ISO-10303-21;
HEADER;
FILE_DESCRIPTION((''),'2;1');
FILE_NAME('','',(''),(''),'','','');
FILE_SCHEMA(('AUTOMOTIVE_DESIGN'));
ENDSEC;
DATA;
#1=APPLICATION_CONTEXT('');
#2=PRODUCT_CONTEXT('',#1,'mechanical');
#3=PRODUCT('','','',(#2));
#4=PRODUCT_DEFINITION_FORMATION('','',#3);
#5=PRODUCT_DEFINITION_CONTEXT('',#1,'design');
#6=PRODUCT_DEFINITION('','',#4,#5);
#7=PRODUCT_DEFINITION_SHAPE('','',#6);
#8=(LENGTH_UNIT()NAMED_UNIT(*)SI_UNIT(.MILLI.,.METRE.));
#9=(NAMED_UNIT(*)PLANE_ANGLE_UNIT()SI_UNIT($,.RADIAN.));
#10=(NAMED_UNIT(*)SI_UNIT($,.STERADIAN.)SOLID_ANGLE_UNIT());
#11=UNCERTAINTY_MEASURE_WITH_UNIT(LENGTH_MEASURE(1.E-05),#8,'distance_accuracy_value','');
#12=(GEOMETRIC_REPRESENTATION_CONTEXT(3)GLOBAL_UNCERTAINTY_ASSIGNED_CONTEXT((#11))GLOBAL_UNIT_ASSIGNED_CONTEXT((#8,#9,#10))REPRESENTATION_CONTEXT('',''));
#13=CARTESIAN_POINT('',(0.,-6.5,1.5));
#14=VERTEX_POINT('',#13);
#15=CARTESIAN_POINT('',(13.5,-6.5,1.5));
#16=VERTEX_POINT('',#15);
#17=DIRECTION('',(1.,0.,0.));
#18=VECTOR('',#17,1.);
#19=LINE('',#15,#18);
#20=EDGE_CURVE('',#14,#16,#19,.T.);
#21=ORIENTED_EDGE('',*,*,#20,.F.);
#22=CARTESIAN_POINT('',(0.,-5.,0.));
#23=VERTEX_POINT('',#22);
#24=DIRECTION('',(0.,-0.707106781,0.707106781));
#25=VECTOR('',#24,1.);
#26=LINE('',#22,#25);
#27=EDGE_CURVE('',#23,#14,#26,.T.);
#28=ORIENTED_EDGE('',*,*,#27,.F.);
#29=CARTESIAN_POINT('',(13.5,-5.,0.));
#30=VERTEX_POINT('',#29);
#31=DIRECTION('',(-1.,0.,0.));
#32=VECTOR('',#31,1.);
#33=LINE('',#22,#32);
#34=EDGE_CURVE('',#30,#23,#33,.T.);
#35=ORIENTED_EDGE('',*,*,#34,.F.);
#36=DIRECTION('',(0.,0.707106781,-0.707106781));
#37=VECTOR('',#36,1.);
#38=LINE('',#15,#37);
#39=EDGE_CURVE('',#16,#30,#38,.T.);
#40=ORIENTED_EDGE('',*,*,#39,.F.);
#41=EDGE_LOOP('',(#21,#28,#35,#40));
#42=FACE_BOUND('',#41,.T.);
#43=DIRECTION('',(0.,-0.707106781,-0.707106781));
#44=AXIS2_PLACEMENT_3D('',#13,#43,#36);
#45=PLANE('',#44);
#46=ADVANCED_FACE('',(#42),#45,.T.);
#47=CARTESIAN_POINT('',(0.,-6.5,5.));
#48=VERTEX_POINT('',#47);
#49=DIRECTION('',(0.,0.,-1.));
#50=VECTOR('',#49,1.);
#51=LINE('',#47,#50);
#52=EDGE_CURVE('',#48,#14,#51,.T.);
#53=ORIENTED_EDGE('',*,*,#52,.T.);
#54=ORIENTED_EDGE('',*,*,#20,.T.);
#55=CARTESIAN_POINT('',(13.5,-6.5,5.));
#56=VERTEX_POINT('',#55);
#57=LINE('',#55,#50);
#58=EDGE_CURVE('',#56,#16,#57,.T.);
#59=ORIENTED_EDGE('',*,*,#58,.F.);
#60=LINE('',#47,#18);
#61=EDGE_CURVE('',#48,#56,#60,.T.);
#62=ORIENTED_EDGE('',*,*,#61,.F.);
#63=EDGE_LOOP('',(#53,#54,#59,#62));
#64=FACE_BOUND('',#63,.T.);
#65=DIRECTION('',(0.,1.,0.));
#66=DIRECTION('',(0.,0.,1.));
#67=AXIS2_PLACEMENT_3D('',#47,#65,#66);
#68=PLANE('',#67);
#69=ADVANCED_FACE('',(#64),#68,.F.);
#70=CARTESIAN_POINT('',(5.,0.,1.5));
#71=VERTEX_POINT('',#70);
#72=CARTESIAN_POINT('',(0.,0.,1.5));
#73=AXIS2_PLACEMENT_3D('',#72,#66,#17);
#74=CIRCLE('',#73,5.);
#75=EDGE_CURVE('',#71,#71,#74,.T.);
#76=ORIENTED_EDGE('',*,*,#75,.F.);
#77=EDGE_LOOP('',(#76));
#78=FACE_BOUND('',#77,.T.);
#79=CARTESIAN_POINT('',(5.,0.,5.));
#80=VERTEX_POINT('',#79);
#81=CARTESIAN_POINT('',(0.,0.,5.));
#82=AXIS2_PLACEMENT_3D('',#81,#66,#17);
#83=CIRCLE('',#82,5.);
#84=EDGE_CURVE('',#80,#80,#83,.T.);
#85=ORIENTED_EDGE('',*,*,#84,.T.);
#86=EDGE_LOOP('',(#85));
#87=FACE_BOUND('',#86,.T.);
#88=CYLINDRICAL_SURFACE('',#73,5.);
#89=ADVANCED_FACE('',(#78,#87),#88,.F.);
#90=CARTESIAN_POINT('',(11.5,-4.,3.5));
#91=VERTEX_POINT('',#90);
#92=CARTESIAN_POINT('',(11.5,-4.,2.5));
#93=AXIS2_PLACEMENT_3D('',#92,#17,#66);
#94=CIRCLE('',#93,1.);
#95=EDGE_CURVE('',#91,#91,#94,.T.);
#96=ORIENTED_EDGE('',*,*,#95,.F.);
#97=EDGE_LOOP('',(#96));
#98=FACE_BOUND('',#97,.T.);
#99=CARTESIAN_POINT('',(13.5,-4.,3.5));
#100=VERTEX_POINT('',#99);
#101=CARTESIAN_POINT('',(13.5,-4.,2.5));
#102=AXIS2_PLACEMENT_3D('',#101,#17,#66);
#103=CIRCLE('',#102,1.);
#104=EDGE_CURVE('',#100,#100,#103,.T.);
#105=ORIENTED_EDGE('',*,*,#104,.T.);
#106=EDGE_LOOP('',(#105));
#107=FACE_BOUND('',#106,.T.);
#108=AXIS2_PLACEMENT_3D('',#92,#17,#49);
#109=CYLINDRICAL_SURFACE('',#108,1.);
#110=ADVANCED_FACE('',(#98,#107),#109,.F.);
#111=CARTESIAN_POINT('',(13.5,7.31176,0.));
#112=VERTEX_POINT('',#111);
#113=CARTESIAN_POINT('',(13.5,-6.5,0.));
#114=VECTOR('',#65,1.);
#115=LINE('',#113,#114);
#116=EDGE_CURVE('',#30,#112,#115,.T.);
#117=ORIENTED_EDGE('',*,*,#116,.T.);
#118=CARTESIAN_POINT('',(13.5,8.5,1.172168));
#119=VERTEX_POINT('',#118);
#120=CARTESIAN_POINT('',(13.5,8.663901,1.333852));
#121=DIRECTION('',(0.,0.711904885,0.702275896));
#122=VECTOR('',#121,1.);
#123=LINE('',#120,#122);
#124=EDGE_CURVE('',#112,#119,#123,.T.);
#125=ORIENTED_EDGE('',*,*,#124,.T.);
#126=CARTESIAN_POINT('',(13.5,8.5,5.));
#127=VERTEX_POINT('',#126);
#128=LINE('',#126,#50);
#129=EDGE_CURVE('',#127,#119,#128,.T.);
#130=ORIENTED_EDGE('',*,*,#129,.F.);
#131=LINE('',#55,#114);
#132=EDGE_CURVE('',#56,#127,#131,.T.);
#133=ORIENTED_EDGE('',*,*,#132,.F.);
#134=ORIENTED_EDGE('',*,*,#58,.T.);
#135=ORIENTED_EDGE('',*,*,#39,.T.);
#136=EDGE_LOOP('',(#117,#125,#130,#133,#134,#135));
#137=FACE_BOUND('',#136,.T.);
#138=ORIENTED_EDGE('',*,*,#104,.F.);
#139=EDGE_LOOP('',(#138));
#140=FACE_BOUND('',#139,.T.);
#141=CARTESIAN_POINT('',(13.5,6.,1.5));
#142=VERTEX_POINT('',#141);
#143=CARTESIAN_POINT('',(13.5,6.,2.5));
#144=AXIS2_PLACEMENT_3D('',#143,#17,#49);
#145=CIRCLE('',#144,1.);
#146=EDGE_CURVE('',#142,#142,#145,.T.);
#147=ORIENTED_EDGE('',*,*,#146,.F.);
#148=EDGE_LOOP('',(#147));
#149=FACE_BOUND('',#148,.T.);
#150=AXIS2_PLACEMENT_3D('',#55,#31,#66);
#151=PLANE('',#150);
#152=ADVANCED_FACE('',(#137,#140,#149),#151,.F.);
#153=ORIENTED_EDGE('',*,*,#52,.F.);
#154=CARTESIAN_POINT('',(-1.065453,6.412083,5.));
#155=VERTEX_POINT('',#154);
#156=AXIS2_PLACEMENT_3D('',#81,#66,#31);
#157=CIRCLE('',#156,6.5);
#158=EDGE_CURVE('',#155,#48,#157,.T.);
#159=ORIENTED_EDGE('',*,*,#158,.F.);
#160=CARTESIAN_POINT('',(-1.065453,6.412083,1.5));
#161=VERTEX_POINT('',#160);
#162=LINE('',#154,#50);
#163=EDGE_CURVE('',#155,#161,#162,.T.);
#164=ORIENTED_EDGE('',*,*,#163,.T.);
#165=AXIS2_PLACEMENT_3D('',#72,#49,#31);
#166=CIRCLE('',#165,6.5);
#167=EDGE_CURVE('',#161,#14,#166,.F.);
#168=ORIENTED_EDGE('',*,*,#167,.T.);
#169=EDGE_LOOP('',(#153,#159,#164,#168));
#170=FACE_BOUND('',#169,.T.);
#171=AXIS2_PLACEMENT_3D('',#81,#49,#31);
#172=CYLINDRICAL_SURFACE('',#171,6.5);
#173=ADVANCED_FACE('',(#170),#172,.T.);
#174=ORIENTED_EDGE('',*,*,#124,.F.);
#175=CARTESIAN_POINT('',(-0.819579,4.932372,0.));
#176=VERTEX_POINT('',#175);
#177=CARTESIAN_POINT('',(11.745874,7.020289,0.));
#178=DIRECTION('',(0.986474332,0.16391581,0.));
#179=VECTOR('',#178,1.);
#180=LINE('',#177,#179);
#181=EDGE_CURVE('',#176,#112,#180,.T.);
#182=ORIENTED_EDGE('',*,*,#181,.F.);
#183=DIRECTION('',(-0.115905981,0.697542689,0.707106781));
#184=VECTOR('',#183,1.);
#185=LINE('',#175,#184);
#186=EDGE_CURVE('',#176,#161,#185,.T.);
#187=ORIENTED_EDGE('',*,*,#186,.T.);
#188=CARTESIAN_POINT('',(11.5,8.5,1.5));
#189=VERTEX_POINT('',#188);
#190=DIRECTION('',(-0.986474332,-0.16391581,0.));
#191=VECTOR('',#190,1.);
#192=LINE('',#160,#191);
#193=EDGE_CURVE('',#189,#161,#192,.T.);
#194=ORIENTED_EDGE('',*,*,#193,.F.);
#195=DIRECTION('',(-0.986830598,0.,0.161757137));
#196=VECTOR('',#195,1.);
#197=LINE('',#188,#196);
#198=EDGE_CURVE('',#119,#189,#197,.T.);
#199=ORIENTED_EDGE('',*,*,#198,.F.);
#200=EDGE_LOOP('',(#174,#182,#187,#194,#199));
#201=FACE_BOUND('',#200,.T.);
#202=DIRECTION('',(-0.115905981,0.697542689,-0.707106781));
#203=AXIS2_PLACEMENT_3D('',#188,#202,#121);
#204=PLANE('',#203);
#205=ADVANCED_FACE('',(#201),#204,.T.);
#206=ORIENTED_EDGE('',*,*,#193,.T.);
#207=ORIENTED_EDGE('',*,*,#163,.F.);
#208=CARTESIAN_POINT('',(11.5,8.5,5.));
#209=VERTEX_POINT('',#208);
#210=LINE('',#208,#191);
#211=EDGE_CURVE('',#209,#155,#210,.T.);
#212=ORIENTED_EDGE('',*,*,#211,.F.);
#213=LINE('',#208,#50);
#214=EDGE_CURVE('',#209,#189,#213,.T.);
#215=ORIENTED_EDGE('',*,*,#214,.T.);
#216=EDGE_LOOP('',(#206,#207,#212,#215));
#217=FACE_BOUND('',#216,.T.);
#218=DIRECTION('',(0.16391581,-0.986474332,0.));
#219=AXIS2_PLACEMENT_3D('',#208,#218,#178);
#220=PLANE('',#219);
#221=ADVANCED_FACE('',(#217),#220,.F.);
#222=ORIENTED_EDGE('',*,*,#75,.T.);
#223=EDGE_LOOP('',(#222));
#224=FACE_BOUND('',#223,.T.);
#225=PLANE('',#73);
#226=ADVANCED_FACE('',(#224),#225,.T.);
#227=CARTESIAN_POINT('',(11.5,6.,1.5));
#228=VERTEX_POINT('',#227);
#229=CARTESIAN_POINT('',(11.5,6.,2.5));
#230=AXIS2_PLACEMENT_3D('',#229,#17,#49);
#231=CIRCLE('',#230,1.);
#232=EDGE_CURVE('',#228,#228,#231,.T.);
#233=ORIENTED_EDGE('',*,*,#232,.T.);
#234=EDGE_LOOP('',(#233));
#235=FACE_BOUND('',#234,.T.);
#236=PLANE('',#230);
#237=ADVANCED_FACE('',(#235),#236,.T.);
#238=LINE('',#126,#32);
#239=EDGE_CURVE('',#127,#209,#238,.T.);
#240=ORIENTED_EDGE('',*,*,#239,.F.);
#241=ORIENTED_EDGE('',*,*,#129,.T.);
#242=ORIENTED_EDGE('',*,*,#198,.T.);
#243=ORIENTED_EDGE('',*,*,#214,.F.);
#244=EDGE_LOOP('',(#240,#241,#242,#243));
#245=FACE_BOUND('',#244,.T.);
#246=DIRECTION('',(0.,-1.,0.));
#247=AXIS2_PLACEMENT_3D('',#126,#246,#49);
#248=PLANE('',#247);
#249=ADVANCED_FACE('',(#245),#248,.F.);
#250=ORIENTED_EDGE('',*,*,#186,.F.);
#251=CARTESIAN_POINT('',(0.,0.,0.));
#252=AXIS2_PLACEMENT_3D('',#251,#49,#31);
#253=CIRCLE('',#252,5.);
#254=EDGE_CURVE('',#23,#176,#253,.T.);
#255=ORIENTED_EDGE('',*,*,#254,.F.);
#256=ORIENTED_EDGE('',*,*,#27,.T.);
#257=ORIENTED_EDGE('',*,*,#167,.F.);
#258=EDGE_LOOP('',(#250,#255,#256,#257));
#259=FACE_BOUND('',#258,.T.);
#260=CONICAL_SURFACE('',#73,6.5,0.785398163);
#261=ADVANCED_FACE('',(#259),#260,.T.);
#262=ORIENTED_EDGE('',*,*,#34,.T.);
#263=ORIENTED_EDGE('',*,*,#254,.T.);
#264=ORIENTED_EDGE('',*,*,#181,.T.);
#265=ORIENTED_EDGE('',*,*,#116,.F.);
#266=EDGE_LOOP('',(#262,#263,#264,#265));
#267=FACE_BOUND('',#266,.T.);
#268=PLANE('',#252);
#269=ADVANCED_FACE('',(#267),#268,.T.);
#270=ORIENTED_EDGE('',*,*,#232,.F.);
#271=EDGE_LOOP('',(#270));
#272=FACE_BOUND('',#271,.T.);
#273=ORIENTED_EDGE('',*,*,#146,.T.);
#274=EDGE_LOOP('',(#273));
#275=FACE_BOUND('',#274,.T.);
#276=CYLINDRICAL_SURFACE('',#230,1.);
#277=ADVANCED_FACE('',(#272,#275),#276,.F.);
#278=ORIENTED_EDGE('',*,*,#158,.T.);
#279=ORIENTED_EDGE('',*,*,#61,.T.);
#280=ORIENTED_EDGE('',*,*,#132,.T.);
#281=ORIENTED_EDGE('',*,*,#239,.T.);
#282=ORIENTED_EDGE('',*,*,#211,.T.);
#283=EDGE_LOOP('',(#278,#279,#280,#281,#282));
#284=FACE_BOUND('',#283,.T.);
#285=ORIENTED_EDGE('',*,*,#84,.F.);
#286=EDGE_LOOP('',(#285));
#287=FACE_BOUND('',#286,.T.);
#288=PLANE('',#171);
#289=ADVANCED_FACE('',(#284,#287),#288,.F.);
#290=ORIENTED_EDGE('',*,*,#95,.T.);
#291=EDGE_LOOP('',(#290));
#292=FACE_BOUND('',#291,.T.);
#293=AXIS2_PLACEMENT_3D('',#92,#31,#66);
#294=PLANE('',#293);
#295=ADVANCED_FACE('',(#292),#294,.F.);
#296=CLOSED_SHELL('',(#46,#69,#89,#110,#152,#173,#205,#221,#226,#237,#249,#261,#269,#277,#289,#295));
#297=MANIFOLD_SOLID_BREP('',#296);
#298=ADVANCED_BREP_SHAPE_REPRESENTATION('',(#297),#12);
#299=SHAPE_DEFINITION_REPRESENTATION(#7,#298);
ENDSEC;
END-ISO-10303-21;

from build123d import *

# Parameters (mm, degrees)
BOSS_EXTRUDE1_DEPTH = 5
SKETCH2_R           = 5
CUT_EXTRUDE1_DEPTH  = 3.5
SKETCH3_R           = 1
CUT_EXTRUDE2_DEPTH  = 2
CHAMFER3_SIZE       = 1.5


with BuildPart() as part:
    # Sketch1 → Boss-Extrude1 (new body)
    with BuildSketch(Plane.XY):
        with BuildLine():
            Line((0, -6.5), (13.5, -6.5))
            Line((13.5, -6.5), (13.5, 8.5))
            Line((13.5, 8.5), (11.5, 8.5))
            Line((11.5, 8.5), (-1.065452768, 6.412083156))
            ThreePointArc((-1.065452768, 6.412083156), (-6.477983502, -0.534536942), (0, -6.5))
        make_face()
    extrude(amount=BOSS_EXTRUDE1_DEPTH)

    # Sketch2 → Cut-Extrude1 (cut)
    with BuildSketch(Plane.XY.offset(5)):
        Circle(SKETCH2_R)
    extrude(amount=-CUT_EXTRUDE1_DEPTH, mode=Mode.SUBTRACT)

    # Sketch3 → Cut-Extrude2 (cut)
    with BuildSketch(Plane(origin=(13.5, 0, 0), x_dir=(0, 0, -1), z_dir=(1, 0, 0))):
        with Locations((-2.5, 6)):
            Circle(SKETCH3_R)
        with Locations(Location((-2.5, -4, 0), (0, 0, 180))):
            Circle(SKETCH3_R)
    extrude(amount=-CUT_EXTRUDE2_DEPTH, mode=Mode.SUBTRACT)

    # Chamfer3
    chamfer3_edges = [part.edges().sort_by_distance(p)[0] for p in [
        (5.217273616, 7.456041578, 0),
        (-6.477983502, -0.534536942, 0),
        (6.75, -6.5, 0),
    ]]
    chamfer(chamfer3_edges, length=CHAMFER3_SIZE)


solid = part.part
